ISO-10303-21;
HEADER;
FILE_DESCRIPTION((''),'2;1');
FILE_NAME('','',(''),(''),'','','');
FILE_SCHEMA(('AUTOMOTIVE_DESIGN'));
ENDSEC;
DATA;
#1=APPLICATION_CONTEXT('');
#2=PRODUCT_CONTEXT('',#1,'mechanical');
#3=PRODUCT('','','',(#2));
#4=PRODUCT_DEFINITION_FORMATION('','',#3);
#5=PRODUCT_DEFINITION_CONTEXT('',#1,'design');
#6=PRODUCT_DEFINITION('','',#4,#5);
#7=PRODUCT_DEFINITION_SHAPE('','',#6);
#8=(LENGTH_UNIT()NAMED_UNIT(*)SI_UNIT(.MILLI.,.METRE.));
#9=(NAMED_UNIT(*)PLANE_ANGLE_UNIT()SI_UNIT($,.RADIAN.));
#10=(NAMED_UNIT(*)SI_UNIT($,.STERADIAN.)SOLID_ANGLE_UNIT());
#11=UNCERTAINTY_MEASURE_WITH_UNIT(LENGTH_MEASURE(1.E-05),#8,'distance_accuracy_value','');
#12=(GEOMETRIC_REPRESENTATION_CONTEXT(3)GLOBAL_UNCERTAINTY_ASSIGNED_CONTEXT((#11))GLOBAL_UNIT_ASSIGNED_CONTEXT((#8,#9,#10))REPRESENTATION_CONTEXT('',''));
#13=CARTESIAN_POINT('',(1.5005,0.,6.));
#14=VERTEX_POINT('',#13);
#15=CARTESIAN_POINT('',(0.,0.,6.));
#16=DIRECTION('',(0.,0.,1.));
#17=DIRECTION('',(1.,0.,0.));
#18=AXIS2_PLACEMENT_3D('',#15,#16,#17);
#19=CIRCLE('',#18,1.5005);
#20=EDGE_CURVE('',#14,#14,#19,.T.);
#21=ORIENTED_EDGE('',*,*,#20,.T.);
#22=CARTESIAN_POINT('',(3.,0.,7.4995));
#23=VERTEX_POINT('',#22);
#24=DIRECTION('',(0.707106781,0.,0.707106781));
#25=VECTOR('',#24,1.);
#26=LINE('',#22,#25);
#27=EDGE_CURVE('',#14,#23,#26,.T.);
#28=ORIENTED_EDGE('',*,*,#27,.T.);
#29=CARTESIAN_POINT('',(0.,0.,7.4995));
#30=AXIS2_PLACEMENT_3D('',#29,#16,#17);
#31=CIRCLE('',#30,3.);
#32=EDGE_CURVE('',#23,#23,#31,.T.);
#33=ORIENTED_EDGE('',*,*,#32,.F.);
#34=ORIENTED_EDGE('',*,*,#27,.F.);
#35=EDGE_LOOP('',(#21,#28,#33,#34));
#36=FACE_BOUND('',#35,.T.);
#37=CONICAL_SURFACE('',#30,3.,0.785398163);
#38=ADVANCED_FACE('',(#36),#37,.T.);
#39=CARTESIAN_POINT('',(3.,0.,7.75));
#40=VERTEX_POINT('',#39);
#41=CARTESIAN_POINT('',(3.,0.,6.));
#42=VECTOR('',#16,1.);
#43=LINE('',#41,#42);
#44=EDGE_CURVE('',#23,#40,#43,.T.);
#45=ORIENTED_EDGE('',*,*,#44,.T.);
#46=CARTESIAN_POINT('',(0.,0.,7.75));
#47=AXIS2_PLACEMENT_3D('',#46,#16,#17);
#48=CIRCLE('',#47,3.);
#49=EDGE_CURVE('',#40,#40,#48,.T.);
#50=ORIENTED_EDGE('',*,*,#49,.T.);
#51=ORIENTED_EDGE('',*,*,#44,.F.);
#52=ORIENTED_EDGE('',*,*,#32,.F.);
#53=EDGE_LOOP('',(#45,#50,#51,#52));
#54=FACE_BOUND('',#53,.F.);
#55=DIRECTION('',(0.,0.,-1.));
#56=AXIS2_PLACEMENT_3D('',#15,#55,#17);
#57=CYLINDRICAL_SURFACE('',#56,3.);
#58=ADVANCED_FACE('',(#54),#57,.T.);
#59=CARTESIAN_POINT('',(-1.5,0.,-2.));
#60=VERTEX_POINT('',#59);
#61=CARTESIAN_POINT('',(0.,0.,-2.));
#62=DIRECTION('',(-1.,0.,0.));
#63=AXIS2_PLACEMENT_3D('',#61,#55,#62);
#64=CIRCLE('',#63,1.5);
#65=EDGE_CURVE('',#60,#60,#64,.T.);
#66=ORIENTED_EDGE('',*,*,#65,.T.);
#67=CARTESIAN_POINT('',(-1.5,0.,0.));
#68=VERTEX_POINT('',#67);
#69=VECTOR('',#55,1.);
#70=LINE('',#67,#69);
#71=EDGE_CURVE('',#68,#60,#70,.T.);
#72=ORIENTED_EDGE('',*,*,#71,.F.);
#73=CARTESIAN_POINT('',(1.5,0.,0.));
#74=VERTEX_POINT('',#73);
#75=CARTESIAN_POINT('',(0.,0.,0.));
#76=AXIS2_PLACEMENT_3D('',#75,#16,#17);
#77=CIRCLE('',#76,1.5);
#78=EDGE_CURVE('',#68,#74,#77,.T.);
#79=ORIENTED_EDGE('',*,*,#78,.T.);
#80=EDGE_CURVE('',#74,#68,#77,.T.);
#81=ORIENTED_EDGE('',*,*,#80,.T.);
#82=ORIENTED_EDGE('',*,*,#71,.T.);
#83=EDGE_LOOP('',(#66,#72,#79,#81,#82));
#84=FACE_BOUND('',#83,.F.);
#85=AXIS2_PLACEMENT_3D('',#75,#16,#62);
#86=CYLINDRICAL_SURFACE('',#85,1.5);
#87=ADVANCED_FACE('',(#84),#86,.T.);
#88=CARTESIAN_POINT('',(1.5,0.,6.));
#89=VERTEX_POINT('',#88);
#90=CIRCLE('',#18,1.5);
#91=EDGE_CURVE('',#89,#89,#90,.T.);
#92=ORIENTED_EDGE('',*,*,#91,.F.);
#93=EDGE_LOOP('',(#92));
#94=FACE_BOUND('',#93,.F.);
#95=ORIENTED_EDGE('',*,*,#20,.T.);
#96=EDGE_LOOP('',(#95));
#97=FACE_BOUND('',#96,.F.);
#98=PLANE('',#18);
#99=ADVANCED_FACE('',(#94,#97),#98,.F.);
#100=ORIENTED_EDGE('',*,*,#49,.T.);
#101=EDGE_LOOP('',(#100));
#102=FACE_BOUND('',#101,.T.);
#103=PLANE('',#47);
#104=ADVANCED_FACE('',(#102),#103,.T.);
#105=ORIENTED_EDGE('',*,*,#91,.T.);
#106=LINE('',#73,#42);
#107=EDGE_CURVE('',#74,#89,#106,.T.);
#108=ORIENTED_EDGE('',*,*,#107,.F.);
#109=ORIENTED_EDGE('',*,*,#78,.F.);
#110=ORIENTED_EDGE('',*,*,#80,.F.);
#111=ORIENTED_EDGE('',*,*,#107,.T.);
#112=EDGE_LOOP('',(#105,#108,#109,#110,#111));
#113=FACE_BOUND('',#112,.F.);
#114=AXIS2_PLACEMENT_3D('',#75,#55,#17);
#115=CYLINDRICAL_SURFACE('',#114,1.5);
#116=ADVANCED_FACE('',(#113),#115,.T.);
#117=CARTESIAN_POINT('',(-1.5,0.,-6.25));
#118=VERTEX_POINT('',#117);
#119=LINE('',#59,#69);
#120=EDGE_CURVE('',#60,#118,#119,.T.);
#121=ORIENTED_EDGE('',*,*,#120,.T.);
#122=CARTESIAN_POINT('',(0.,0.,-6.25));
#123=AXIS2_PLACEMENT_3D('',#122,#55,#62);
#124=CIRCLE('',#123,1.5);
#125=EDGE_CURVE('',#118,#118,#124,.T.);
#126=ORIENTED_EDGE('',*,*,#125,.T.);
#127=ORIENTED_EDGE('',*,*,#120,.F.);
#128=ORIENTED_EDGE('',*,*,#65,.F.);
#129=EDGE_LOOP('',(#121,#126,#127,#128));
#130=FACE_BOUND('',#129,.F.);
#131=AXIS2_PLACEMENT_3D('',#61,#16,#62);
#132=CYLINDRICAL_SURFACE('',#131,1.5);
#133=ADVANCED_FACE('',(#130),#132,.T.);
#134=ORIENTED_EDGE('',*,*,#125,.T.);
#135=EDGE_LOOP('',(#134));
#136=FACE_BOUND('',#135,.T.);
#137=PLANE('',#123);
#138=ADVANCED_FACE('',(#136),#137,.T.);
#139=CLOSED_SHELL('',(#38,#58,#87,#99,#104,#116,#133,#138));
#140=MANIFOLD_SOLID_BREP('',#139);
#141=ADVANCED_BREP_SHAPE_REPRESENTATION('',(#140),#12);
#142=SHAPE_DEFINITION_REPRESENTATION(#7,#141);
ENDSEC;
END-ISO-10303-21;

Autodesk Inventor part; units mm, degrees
ref_plane "YZ Plane" through (0, 0, 0) normal (1, 0, 0) x (0, 1, 0)
ref_plane "XZ Plane" through (0, 0, 0) normal (0, 1, 0) x (-1, 0, 0)
ref_plane "XY Plane" through (0, 0, 0) normal (0, 0, 1) x (1, 0, 0)
sketch "スケッチ1" plane through (0, 0, 0) normal (0, 0, 1) x (1, 0, 0)
  circle A0 centre (0, 0) radius 1.5
  dimension "d0" = 3
extrude "押し出し1" add sketch "スケッチ1" along normal blind 6
sketch "スケッチ2" plane through (0, 0, 6) normal (0, 0, 1) x (1, 0, 0)
  circle A0 centre (0, 0) radius 1.5 projected
  circle A1 centre (0, 0) radius 3
  dimension "d3" = 6
extrude "押し出し2" add sketch "スケッチ2" along normal blind 1.75 contours A0 | A1
thread "ねじ1" size "M3x0.5" class "6g" standard "ANSI Metric M Profile" full length
chamfer "面取り1" distance 1.5 angle 45 1 edges at (-3, 0, 6)
sketch "スケッチ4" plane through (0, 0, 0) normal (0, 0, -1) x (-1, 0, 0)
  circle A0 centre (0, 0) radius 1.5 projected
extrude "押し出し4" add sketch "スケッチ4" along normal blind 4
sketch "スケッチ5" plane through (0, 0, -4) normal (0, 0, -1) x (-1, 0, 0)
  circle A0 centre (0, 0) radius 1.5 projected
extrude "押し出し5" cut sketch "スケッチ5" against normal blind 2
sketch "スケッチ6" plane through (0, 0, -2) normal (0, 0, -1) x (-1, 0, 0)
  circle A0 centre (0, 0) radius 1.5 projected
extrude "押し出し6" add sketch "スケッチ6" along normal blind 4.25
properties part number "SB　14mm皿ネジ" material "Steel, Mild"
